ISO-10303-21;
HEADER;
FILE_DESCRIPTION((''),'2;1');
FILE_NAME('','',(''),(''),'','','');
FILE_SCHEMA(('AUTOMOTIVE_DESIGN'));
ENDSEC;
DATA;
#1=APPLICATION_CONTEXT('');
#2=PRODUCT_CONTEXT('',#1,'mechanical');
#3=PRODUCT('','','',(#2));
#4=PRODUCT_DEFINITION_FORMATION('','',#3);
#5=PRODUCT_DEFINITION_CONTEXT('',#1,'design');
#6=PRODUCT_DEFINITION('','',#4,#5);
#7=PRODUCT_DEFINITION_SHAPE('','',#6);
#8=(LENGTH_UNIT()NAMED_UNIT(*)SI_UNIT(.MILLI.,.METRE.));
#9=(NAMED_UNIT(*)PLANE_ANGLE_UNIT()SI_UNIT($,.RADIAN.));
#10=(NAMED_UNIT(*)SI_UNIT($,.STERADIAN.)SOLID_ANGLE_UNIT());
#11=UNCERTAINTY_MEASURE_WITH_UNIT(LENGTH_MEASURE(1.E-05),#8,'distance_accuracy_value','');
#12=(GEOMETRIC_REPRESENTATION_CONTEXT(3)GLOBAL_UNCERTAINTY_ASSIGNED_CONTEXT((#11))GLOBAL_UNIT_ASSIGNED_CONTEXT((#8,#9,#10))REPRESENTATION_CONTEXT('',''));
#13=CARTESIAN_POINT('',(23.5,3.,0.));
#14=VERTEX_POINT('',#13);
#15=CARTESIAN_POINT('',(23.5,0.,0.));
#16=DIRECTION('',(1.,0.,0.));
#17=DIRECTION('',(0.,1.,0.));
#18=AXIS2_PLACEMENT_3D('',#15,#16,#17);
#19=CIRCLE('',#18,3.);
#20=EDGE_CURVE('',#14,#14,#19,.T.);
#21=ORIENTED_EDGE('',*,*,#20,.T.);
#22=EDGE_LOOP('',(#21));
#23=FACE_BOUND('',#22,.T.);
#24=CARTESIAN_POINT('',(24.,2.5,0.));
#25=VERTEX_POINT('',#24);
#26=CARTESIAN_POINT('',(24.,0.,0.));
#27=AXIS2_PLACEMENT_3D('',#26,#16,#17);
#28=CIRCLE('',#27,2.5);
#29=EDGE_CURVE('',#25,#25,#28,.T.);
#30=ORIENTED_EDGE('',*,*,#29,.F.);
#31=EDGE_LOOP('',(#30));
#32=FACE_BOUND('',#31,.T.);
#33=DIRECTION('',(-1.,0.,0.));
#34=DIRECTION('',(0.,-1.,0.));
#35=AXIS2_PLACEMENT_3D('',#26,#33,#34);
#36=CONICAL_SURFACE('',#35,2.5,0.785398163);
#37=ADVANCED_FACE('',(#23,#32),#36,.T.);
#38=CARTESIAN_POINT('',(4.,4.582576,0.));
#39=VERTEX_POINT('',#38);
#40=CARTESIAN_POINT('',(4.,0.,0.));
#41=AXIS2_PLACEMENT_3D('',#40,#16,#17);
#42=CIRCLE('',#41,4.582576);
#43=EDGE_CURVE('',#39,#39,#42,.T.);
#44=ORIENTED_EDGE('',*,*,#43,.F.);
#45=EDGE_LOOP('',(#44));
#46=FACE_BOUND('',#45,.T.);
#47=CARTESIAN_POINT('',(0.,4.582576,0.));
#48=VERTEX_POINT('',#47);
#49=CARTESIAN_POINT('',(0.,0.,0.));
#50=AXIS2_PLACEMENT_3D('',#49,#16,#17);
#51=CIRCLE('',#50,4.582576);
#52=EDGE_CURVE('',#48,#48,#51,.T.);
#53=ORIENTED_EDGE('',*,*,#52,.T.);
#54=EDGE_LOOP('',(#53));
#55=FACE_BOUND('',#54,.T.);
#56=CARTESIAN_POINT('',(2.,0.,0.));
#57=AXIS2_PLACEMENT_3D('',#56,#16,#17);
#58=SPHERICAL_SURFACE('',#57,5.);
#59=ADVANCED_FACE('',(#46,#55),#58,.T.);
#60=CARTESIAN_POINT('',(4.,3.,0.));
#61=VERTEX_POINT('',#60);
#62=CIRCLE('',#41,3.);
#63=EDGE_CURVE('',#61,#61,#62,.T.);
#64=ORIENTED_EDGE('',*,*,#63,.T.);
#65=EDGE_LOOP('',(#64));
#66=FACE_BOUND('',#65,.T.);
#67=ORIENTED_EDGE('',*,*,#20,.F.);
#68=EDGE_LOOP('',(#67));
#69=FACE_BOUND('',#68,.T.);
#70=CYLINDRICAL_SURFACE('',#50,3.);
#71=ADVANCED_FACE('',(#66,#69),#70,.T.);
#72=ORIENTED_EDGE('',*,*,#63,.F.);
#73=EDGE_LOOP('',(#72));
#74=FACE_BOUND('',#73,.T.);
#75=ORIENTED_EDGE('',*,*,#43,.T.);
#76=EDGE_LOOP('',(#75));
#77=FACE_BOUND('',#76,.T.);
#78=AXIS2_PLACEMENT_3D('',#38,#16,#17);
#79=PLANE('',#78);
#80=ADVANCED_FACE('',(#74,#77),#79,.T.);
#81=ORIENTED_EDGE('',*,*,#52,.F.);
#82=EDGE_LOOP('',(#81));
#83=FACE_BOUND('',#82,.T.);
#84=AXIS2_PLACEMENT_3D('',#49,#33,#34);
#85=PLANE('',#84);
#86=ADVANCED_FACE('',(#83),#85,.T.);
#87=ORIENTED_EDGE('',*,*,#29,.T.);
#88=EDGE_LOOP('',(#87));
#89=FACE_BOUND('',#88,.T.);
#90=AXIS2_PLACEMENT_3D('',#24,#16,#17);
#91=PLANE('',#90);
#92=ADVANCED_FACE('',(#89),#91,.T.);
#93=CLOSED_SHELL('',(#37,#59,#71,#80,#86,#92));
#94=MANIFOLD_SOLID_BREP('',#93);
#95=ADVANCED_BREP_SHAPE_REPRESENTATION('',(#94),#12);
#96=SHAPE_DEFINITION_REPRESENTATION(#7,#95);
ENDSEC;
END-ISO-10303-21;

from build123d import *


with BuildPart() as part:
    # Эскиз1 → Повернуть1 (revolve)
    with BuildSketch(Plane.XY):
        with BuildLine():
            Line((0, 0), (0, 4.582575695))
            ThreePointArc((0, 4.582575695), (2, 5), (4, 4.582575695))
            Line((4, 4.582575695), (4, 3))
            Line((4, 3), (23.5, 3))
            Line((23.5, 3), (24, 2.5))
            Line((24, 2.5), (24, 0))
            Line((24, 0), (0, 0))
        make_face()
    revolve(axis=Axis((0, 0, 0), (-1, 0, 0)))


solid = part.part
